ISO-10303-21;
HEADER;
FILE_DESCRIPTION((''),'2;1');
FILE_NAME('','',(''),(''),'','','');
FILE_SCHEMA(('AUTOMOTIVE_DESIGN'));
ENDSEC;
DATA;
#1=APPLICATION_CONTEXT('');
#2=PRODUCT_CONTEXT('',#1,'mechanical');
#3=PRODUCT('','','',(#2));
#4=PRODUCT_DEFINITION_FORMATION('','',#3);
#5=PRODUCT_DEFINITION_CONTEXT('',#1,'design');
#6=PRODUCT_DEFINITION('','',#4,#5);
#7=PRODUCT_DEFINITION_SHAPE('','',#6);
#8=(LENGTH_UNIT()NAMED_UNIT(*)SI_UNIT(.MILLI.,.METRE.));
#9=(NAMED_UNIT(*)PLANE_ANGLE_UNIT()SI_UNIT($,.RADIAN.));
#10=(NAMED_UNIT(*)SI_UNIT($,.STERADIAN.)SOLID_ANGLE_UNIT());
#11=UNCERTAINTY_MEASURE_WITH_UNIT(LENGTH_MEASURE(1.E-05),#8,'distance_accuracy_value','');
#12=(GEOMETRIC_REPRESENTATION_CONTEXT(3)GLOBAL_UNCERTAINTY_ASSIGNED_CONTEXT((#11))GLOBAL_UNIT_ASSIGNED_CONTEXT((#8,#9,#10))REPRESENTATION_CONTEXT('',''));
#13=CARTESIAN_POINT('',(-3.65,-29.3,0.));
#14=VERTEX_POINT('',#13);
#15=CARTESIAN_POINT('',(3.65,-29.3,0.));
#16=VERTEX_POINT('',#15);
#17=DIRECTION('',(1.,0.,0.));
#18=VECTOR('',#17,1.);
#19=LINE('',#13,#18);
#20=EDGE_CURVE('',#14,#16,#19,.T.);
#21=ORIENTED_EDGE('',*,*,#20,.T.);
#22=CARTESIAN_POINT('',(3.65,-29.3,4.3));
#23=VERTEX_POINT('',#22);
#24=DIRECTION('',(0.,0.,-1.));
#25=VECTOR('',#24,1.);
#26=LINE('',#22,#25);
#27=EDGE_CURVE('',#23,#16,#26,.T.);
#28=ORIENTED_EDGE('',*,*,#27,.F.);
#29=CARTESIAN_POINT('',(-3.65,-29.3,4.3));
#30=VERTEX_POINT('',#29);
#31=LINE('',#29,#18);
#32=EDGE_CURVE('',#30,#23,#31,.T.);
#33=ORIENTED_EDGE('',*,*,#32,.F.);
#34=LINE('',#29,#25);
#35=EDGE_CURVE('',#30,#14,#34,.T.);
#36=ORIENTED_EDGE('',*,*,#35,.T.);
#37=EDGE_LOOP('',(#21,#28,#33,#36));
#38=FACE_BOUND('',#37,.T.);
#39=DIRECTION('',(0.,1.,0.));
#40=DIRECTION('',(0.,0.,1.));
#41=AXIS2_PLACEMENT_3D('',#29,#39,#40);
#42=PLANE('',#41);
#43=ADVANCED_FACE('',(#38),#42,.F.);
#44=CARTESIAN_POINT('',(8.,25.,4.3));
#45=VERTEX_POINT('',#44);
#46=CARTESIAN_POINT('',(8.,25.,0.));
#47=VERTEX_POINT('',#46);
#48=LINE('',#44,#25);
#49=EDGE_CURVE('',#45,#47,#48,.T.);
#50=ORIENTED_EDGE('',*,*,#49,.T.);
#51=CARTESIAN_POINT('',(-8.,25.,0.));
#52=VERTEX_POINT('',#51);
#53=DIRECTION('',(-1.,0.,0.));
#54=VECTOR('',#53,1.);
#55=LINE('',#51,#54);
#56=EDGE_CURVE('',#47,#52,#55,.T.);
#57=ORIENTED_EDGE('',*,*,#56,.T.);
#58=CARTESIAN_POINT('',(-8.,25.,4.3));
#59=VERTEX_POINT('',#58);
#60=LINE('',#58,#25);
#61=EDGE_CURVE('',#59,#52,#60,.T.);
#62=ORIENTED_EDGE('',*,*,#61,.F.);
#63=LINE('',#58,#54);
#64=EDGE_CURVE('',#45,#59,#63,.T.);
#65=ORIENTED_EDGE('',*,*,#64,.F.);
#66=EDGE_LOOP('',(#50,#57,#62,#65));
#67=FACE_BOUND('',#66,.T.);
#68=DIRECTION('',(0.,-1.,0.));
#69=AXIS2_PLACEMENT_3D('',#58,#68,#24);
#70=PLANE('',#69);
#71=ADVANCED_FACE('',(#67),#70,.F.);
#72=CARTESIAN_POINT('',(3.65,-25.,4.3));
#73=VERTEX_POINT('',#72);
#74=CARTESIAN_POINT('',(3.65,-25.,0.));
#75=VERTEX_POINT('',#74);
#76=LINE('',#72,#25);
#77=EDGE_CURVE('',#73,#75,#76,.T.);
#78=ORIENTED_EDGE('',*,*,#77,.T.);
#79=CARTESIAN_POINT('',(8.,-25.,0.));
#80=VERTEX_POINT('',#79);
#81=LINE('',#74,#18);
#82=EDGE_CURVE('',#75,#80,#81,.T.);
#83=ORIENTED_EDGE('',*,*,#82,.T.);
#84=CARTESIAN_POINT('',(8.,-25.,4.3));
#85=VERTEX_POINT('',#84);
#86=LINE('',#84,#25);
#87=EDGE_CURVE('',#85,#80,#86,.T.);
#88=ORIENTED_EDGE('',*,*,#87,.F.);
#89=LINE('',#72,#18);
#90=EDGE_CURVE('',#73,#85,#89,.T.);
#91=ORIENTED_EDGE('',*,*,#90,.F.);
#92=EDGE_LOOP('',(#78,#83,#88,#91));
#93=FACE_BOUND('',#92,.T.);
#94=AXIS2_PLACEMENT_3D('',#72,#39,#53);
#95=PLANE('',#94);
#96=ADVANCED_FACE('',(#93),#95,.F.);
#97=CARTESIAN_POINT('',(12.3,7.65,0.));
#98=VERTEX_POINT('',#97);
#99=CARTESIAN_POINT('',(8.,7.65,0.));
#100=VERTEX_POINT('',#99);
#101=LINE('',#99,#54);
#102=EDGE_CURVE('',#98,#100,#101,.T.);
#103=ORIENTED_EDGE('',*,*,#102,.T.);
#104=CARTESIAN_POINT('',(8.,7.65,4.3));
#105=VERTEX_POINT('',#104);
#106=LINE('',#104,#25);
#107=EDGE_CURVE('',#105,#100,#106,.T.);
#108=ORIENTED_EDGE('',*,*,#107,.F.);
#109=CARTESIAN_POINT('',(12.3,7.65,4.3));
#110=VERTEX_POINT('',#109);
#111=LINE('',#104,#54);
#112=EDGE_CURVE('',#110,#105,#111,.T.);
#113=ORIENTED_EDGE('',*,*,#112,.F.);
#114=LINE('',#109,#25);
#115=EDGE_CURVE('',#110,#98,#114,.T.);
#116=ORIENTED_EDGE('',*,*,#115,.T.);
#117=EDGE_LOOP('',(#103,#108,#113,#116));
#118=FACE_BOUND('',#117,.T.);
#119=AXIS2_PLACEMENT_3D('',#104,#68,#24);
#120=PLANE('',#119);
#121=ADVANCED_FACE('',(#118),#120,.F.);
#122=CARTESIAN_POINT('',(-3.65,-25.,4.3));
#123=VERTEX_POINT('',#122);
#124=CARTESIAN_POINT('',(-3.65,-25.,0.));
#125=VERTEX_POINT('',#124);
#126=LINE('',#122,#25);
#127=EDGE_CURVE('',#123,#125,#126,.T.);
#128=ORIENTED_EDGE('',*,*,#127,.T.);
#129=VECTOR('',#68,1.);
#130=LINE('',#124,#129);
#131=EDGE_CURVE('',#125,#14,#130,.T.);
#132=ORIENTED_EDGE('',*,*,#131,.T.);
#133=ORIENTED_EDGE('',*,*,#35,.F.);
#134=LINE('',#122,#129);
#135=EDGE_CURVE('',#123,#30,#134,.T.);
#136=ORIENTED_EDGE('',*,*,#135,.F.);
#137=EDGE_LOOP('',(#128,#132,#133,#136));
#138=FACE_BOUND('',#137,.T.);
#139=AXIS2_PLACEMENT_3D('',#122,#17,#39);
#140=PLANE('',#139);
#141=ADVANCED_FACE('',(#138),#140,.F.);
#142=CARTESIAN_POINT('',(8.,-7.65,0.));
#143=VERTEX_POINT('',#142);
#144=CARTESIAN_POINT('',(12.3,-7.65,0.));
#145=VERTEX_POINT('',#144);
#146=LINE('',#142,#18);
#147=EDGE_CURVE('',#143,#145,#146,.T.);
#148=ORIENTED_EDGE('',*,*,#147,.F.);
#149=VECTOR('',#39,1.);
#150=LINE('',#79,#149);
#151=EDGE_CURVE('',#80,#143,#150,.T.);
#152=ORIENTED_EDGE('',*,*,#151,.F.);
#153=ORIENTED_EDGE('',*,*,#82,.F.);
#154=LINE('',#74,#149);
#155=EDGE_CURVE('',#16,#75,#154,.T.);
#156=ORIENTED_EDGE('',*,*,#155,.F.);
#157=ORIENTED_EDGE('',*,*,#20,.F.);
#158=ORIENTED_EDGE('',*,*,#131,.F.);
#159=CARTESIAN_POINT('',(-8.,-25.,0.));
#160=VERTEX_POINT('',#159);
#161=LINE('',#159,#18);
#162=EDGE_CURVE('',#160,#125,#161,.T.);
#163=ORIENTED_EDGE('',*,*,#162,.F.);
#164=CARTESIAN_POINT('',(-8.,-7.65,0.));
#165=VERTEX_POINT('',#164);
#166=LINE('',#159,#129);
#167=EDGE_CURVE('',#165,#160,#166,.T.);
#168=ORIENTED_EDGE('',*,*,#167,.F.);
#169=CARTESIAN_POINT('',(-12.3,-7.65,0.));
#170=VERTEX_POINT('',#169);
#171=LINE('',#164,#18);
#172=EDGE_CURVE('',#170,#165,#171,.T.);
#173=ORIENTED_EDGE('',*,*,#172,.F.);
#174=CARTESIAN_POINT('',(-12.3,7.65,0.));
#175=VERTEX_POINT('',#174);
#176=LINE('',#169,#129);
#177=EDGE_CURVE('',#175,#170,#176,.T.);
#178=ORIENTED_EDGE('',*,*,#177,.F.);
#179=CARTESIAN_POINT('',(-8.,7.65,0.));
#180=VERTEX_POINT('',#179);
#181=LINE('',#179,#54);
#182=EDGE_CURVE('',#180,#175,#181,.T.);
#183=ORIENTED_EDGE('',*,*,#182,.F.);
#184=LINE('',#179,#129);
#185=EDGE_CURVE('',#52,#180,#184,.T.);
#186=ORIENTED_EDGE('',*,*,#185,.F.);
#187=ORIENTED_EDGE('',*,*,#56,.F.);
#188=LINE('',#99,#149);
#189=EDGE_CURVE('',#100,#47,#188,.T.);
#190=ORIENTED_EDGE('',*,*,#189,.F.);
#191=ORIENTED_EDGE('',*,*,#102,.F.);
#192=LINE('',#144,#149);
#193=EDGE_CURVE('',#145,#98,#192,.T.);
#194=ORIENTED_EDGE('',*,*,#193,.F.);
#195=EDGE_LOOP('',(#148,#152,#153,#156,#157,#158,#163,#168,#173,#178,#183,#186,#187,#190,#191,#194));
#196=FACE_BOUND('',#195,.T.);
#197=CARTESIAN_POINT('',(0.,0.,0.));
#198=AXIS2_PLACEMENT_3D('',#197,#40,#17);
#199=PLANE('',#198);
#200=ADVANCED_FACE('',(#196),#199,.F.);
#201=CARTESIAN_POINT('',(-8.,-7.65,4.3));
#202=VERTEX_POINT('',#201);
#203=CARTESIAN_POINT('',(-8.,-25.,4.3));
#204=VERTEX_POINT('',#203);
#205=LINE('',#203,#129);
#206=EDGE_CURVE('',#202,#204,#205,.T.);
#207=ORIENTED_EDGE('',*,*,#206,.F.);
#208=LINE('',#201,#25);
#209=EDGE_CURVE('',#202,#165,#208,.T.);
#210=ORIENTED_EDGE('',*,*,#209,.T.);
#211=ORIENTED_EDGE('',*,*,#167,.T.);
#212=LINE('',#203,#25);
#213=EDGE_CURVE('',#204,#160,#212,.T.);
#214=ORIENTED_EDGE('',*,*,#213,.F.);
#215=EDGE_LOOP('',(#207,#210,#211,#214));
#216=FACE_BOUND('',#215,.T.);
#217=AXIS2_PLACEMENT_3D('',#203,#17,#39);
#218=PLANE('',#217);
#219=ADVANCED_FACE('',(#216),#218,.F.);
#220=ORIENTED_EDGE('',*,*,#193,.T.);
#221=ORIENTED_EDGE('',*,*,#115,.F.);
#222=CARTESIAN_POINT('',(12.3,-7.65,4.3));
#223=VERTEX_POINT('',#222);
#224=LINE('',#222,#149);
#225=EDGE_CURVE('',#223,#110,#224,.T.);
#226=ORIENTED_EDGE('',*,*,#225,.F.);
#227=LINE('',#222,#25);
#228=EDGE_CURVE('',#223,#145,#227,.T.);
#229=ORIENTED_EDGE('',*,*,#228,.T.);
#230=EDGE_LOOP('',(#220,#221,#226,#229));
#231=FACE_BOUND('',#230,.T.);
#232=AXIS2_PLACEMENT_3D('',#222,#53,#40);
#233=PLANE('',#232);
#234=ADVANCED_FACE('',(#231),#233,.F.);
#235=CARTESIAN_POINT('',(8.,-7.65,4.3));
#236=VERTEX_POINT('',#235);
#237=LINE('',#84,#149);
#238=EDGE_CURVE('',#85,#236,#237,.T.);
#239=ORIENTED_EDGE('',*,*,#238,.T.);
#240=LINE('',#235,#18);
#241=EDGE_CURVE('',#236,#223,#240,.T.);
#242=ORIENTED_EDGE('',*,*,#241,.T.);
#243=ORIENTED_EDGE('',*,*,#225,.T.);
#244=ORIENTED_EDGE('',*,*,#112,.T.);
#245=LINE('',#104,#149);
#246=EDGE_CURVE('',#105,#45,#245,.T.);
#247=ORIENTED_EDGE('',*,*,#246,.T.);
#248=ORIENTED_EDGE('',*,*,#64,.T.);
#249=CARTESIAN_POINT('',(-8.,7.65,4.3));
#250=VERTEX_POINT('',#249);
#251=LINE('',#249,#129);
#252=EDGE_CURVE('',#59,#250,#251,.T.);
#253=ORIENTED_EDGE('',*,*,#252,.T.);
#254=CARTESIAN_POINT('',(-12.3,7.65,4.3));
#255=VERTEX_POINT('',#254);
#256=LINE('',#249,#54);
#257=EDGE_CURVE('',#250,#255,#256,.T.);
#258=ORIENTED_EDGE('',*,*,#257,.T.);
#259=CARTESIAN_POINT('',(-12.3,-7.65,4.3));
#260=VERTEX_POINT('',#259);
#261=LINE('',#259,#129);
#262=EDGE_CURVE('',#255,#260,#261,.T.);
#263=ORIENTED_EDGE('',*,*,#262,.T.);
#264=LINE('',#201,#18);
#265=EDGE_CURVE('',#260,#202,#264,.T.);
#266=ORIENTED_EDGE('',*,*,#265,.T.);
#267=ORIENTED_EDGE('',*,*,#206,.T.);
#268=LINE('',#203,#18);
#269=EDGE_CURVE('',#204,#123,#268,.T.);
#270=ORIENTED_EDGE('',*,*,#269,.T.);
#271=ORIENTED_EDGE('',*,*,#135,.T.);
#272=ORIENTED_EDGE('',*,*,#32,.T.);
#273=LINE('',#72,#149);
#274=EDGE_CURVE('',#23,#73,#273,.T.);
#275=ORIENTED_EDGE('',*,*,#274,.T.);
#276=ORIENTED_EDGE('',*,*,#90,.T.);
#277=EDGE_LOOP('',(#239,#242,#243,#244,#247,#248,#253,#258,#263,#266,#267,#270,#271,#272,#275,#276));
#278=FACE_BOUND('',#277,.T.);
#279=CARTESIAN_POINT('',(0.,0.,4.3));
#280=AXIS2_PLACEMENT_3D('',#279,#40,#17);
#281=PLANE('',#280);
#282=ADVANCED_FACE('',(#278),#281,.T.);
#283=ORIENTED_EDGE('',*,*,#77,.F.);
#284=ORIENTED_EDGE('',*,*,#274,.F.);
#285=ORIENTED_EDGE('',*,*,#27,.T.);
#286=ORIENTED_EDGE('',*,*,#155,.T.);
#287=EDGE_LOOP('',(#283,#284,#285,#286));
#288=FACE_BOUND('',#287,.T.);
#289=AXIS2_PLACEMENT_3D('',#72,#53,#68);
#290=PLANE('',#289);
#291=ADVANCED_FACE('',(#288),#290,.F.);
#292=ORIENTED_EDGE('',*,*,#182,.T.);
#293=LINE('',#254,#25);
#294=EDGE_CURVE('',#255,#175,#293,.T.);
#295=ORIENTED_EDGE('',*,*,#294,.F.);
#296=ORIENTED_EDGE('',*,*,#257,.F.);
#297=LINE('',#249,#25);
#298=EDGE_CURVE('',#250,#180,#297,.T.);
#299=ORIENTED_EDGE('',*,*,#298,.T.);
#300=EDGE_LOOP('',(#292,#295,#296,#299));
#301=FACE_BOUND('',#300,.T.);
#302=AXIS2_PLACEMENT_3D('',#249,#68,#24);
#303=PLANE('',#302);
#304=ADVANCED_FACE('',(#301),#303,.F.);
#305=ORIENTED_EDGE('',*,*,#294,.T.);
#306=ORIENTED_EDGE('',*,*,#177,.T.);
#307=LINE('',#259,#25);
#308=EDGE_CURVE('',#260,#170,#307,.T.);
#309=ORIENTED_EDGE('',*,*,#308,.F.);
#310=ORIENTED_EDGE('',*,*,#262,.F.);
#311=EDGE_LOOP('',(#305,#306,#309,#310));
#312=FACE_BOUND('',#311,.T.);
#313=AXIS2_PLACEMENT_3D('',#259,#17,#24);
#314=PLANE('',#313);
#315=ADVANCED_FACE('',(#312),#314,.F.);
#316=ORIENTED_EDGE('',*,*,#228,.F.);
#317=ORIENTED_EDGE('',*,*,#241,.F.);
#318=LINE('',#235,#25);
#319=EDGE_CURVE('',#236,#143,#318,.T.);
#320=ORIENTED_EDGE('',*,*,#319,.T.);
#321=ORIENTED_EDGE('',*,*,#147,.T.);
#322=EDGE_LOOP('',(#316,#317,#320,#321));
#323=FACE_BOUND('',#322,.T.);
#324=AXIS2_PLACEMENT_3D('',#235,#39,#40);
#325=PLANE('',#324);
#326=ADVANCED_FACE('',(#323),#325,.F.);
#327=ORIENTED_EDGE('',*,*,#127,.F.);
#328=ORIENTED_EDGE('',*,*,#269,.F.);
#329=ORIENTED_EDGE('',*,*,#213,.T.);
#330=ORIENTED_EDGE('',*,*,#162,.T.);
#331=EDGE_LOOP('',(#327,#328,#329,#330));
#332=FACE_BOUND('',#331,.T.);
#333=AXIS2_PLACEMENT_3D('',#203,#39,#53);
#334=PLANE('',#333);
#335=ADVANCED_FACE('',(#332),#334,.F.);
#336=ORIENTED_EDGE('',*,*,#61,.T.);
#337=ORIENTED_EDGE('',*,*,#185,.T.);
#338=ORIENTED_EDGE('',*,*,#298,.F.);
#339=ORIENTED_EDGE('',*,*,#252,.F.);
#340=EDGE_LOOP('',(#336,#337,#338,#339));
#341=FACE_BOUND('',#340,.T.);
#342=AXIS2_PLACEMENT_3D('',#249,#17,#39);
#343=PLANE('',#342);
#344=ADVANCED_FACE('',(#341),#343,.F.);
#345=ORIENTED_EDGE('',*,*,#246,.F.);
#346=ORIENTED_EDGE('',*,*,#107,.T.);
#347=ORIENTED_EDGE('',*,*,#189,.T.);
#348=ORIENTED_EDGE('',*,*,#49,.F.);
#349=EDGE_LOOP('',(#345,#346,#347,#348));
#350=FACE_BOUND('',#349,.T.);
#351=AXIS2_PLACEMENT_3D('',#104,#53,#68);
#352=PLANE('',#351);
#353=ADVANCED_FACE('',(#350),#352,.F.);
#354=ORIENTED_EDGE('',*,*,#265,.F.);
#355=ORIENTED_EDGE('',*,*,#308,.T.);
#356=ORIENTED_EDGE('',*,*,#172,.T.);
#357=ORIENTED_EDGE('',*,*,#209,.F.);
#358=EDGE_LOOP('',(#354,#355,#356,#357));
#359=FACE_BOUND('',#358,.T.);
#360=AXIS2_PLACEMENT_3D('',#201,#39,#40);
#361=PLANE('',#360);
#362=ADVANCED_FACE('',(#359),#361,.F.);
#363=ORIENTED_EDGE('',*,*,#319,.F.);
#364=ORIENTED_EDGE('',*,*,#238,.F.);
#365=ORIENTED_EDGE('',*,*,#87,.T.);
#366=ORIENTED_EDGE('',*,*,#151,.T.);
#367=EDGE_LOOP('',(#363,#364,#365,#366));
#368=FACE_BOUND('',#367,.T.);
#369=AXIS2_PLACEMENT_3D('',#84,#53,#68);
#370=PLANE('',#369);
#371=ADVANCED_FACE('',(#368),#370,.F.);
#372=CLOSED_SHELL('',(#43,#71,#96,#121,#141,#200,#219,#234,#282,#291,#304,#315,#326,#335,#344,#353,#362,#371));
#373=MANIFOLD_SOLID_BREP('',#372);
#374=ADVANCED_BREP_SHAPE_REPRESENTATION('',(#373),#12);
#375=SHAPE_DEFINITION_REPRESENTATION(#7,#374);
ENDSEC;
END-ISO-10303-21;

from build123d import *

# Parameters (mm, degrees)
BOSS_EXTRUDE1_DEPTH = 4.3


with BuildPart() as part:
    # Sketch1 → Boss-Extrude1 (new body)
    with BuildSketch(Plane.XY):
        Polygon((8, 7.65), (8, 25), (-8, 25), (-8, 7.65), (-12.3, 7.65), (-12.3, -7.65), (-8, -7.65), (-8, -25), (-3.65, -25), (-3.65, -29.3), (3.65, -29.3), (3.65, -25), (8, -25), (8, -7.65), (12.3, -7.65), (12.3, 7.65), align=None)
    extrude(amount=BOSS_EXTRUDE1_DEPTH)


solid = part.part
